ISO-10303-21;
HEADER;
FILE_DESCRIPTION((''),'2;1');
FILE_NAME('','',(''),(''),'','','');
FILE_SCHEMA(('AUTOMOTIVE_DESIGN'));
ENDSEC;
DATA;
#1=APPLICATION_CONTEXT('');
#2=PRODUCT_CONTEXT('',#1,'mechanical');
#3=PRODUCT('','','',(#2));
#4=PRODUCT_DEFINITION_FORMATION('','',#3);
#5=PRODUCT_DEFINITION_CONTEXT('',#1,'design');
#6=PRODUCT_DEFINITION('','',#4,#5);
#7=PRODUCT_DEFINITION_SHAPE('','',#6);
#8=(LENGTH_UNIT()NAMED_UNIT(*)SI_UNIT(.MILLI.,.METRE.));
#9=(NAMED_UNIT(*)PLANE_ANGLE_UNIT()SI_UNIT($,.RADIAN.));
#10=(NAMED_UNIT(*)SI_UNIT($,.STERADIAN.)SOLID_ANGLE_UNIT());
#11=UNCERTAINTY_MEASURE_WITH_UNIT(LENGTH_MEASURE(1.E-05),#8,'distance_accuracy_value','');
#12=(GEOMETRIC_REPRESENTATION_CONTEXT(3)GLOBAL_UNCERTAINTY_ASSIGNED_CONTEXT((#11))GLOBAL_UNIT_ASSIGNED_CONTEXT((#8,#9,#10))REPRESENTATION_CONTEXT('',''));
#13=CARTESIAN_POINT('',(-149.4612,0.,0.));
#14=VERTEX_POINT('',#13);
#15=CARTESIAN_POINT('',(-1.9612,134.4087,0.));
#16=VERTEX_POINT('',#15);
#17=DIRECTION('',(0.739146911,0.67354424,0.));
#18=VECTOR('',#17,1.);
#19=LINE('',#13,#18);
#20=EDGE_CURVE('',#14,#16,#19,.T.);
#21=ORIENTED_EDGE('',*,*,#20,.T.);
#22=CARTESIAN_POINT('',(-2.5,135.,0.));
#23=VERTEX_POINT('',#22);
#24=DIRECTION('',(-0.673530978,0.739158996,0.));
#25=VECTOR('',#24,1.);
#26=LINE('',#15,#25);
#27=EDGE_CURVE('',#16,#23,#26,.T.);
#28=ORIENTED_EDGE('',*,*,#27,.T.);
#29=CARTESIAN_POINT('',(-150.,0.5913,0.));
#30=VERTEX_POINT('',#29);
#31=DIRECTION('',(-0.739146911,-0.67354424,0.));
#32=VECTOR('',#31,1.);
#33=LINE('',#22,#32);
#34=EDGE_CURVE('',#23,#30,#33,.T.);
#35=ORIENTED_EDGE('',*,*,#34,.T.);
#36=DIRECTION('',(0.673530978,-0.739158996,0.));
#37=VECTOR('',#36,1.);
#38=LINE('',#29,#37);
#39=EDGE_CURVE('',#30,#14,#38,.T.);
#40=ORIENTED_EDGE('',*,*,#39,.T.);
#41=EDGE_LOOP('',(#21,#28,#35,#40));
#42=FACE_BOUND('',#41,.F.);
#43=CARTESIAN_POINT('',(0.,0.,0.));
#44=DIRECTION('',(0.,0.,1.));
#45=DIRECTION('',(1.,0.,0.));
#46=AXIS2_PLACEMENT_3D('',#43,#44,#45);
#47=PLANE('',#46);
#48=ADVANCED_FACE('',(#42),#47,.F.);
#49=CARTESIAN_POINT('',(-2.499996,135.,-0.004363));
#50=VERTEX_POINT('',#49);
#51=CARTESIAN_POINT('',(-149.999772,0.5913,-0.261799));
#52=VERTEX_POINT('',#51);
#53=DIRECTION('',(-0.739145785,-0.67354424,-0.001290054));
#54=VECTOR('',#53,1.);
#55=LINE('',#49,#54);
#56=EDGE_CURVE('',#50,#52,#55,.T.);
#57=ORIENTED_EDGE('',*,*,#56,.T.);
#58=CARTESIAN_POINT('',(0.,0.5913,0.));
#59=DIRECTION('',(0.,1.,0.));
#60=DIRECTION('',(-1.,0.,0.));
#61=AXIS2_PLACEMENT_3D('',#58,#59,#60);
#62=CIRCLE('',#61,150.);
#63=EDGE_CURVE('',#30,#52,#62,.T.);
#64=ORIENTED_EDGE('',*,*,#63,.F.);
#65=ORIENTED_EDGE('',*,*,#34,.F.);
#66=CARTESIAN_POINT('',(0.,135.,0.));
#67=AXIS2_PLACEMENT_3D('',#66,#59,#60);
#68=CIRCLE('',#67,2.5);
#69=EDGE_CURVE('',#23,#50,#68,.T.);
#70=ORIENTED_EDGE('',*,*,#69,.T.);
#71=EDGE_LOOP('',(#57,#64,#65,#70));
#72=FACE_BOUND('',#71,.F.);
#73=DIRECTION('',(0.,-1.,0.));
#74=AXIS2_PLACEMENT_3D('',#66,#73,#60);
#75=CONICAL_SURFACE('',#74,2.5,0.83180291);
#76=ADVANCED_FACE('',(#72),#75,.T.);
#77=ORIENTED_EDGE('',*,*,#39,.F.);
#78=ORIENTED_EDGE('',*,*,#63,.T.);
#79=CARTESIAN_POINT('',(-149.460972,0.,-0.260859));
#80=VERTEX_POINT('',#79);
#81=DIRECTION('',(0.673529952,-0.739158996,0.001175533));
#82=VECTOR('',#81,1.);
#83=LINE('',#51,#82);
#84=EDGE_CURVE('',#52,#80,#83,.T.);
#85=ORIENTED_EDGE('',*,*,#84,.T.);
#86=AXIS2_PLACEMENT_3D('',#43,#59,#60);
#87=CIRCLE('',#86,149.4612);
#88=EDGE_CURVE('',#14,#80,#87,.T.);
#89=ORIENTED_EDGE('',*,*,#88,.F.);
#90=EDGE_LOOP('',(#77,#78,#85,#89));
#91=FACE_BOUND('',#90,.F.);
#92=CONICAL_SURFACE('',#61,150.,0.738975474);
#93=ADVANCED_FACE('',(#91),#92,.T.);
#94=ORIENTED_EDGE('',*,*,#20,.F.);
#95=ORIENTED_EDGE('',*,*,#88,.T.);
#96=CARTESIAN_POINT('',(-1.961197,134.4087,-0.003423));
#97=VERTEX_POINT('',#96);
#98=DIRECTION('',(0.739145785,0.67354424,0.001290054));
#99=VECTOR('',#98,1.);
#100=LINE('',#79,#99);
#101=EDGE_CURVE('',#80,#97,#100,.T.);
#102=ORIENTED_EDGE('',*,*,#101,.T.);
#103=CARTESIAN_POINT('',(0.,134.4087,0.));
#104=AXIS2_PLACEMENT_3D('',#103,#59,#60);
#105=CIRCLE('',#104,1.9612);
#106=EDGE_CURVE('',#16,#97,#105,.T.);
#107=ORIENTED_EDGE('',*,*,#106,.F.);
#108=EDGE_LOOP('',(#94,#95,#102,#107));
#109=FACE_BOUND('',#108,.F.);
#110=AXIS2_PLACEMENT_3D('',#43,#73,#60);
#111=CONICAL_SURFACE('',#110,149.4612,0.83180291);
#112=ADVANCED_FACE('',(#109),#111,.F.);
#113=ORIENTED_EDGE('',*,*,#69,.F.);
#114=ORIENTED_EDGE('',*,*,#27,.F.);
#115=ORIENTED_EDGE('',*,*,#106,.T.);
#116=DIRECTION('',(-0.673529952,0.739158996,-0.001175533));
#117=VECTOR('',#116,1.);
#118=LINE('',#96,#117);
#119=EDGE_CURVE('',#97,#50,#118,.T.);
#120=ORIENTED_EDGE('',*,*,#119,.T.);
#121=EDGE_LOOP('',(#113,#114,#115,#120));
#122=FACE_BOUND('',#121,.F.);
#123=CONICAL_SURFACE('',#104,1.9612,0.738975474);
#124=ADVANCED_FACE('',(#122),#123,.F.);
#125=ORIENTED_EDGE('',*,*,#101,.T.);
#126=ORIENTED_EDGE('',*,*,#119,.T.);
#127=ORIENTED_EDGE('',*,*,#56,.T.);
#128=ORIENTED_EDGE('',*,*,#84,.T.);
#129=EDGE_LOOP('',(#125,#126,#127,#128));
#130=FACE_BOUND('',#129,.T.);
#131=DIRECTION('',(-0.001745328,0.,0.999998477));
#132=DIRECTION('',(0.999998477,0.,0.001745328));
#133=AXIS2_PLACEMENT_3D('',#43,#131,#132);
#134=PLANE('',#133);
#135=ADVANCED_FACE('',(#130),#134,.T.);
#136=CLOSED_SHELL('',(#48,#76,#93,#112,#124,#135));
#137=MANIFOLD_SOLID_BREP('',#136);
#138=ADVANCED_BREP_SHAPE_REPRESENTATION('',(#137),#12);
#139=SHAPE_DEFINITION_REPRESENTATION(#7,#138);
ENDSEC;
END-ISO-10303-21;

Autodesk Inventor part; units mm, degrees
ref_plane "YZ Plane" through (0, 0, 0) normal (1, 0, 0) x (0, 1, 0)
ref_plane "XZ Plane" through (0, 0, 0) normal (0, 1, 0) x (-1, 0, 0)
ref_plane "XY Plane" through (0, 0, 0) normal (0, 0, 1) x (1, 0, 0)
sketch "Sketch1" plane through (0, 0, 0) normal (0, 0, 1) x (1, 0, 0)
  line L0 (-149.4612, 0) -> (-1.9612, 134.4087)
  line L1 (-1.9612, 134.4087) -> (-2.5, 135)
  line L2 (-2.5, 135) -> (-150, 0.5913)
  line L3 (-150, 0.5913) -> (-149.4612, 0)
  line L4 (-149.4612, 0) -> (-2.5, 135) construction
  line L5 (-1.9612, 134.4087) -> (-150, 0.5913) construction
  line L6 (0, 0) -> (0, 135)
  point P0 (-75.9806, 67.5)
  dimension "d0" = 0.8
  dimension "d3" = 300
  dimension "d4" = 135
  dimension "d5" = 5
revolve "Revolution1" add sketch "Sketch1" angle 359.9 about axis through (0, 0, 0) along (0, 1, 0)
equation "\"d0\" = Thickness"
equation "\"BendRadius\" = Thickness"
equation "\"BendReliefWidth\" = Thickness"
equation "\"BendReliefDepth\" = 0.5 * Thickness"
equation "\"CornerReliefSize\" = 4 * Thickness"
equation "\"MinimumRemnant\" = 2 * Thickness"
equation "\"TransitionRadius\" = BendRadius"
equation "\"JacobiRadiusSize\" = BendRadius"
equation "\"GapSize\" = Thickness"
equation "\"Thickness\" = 0.8"
properties part number "MSC 103 roсket nose" material "Stainless Steel"
